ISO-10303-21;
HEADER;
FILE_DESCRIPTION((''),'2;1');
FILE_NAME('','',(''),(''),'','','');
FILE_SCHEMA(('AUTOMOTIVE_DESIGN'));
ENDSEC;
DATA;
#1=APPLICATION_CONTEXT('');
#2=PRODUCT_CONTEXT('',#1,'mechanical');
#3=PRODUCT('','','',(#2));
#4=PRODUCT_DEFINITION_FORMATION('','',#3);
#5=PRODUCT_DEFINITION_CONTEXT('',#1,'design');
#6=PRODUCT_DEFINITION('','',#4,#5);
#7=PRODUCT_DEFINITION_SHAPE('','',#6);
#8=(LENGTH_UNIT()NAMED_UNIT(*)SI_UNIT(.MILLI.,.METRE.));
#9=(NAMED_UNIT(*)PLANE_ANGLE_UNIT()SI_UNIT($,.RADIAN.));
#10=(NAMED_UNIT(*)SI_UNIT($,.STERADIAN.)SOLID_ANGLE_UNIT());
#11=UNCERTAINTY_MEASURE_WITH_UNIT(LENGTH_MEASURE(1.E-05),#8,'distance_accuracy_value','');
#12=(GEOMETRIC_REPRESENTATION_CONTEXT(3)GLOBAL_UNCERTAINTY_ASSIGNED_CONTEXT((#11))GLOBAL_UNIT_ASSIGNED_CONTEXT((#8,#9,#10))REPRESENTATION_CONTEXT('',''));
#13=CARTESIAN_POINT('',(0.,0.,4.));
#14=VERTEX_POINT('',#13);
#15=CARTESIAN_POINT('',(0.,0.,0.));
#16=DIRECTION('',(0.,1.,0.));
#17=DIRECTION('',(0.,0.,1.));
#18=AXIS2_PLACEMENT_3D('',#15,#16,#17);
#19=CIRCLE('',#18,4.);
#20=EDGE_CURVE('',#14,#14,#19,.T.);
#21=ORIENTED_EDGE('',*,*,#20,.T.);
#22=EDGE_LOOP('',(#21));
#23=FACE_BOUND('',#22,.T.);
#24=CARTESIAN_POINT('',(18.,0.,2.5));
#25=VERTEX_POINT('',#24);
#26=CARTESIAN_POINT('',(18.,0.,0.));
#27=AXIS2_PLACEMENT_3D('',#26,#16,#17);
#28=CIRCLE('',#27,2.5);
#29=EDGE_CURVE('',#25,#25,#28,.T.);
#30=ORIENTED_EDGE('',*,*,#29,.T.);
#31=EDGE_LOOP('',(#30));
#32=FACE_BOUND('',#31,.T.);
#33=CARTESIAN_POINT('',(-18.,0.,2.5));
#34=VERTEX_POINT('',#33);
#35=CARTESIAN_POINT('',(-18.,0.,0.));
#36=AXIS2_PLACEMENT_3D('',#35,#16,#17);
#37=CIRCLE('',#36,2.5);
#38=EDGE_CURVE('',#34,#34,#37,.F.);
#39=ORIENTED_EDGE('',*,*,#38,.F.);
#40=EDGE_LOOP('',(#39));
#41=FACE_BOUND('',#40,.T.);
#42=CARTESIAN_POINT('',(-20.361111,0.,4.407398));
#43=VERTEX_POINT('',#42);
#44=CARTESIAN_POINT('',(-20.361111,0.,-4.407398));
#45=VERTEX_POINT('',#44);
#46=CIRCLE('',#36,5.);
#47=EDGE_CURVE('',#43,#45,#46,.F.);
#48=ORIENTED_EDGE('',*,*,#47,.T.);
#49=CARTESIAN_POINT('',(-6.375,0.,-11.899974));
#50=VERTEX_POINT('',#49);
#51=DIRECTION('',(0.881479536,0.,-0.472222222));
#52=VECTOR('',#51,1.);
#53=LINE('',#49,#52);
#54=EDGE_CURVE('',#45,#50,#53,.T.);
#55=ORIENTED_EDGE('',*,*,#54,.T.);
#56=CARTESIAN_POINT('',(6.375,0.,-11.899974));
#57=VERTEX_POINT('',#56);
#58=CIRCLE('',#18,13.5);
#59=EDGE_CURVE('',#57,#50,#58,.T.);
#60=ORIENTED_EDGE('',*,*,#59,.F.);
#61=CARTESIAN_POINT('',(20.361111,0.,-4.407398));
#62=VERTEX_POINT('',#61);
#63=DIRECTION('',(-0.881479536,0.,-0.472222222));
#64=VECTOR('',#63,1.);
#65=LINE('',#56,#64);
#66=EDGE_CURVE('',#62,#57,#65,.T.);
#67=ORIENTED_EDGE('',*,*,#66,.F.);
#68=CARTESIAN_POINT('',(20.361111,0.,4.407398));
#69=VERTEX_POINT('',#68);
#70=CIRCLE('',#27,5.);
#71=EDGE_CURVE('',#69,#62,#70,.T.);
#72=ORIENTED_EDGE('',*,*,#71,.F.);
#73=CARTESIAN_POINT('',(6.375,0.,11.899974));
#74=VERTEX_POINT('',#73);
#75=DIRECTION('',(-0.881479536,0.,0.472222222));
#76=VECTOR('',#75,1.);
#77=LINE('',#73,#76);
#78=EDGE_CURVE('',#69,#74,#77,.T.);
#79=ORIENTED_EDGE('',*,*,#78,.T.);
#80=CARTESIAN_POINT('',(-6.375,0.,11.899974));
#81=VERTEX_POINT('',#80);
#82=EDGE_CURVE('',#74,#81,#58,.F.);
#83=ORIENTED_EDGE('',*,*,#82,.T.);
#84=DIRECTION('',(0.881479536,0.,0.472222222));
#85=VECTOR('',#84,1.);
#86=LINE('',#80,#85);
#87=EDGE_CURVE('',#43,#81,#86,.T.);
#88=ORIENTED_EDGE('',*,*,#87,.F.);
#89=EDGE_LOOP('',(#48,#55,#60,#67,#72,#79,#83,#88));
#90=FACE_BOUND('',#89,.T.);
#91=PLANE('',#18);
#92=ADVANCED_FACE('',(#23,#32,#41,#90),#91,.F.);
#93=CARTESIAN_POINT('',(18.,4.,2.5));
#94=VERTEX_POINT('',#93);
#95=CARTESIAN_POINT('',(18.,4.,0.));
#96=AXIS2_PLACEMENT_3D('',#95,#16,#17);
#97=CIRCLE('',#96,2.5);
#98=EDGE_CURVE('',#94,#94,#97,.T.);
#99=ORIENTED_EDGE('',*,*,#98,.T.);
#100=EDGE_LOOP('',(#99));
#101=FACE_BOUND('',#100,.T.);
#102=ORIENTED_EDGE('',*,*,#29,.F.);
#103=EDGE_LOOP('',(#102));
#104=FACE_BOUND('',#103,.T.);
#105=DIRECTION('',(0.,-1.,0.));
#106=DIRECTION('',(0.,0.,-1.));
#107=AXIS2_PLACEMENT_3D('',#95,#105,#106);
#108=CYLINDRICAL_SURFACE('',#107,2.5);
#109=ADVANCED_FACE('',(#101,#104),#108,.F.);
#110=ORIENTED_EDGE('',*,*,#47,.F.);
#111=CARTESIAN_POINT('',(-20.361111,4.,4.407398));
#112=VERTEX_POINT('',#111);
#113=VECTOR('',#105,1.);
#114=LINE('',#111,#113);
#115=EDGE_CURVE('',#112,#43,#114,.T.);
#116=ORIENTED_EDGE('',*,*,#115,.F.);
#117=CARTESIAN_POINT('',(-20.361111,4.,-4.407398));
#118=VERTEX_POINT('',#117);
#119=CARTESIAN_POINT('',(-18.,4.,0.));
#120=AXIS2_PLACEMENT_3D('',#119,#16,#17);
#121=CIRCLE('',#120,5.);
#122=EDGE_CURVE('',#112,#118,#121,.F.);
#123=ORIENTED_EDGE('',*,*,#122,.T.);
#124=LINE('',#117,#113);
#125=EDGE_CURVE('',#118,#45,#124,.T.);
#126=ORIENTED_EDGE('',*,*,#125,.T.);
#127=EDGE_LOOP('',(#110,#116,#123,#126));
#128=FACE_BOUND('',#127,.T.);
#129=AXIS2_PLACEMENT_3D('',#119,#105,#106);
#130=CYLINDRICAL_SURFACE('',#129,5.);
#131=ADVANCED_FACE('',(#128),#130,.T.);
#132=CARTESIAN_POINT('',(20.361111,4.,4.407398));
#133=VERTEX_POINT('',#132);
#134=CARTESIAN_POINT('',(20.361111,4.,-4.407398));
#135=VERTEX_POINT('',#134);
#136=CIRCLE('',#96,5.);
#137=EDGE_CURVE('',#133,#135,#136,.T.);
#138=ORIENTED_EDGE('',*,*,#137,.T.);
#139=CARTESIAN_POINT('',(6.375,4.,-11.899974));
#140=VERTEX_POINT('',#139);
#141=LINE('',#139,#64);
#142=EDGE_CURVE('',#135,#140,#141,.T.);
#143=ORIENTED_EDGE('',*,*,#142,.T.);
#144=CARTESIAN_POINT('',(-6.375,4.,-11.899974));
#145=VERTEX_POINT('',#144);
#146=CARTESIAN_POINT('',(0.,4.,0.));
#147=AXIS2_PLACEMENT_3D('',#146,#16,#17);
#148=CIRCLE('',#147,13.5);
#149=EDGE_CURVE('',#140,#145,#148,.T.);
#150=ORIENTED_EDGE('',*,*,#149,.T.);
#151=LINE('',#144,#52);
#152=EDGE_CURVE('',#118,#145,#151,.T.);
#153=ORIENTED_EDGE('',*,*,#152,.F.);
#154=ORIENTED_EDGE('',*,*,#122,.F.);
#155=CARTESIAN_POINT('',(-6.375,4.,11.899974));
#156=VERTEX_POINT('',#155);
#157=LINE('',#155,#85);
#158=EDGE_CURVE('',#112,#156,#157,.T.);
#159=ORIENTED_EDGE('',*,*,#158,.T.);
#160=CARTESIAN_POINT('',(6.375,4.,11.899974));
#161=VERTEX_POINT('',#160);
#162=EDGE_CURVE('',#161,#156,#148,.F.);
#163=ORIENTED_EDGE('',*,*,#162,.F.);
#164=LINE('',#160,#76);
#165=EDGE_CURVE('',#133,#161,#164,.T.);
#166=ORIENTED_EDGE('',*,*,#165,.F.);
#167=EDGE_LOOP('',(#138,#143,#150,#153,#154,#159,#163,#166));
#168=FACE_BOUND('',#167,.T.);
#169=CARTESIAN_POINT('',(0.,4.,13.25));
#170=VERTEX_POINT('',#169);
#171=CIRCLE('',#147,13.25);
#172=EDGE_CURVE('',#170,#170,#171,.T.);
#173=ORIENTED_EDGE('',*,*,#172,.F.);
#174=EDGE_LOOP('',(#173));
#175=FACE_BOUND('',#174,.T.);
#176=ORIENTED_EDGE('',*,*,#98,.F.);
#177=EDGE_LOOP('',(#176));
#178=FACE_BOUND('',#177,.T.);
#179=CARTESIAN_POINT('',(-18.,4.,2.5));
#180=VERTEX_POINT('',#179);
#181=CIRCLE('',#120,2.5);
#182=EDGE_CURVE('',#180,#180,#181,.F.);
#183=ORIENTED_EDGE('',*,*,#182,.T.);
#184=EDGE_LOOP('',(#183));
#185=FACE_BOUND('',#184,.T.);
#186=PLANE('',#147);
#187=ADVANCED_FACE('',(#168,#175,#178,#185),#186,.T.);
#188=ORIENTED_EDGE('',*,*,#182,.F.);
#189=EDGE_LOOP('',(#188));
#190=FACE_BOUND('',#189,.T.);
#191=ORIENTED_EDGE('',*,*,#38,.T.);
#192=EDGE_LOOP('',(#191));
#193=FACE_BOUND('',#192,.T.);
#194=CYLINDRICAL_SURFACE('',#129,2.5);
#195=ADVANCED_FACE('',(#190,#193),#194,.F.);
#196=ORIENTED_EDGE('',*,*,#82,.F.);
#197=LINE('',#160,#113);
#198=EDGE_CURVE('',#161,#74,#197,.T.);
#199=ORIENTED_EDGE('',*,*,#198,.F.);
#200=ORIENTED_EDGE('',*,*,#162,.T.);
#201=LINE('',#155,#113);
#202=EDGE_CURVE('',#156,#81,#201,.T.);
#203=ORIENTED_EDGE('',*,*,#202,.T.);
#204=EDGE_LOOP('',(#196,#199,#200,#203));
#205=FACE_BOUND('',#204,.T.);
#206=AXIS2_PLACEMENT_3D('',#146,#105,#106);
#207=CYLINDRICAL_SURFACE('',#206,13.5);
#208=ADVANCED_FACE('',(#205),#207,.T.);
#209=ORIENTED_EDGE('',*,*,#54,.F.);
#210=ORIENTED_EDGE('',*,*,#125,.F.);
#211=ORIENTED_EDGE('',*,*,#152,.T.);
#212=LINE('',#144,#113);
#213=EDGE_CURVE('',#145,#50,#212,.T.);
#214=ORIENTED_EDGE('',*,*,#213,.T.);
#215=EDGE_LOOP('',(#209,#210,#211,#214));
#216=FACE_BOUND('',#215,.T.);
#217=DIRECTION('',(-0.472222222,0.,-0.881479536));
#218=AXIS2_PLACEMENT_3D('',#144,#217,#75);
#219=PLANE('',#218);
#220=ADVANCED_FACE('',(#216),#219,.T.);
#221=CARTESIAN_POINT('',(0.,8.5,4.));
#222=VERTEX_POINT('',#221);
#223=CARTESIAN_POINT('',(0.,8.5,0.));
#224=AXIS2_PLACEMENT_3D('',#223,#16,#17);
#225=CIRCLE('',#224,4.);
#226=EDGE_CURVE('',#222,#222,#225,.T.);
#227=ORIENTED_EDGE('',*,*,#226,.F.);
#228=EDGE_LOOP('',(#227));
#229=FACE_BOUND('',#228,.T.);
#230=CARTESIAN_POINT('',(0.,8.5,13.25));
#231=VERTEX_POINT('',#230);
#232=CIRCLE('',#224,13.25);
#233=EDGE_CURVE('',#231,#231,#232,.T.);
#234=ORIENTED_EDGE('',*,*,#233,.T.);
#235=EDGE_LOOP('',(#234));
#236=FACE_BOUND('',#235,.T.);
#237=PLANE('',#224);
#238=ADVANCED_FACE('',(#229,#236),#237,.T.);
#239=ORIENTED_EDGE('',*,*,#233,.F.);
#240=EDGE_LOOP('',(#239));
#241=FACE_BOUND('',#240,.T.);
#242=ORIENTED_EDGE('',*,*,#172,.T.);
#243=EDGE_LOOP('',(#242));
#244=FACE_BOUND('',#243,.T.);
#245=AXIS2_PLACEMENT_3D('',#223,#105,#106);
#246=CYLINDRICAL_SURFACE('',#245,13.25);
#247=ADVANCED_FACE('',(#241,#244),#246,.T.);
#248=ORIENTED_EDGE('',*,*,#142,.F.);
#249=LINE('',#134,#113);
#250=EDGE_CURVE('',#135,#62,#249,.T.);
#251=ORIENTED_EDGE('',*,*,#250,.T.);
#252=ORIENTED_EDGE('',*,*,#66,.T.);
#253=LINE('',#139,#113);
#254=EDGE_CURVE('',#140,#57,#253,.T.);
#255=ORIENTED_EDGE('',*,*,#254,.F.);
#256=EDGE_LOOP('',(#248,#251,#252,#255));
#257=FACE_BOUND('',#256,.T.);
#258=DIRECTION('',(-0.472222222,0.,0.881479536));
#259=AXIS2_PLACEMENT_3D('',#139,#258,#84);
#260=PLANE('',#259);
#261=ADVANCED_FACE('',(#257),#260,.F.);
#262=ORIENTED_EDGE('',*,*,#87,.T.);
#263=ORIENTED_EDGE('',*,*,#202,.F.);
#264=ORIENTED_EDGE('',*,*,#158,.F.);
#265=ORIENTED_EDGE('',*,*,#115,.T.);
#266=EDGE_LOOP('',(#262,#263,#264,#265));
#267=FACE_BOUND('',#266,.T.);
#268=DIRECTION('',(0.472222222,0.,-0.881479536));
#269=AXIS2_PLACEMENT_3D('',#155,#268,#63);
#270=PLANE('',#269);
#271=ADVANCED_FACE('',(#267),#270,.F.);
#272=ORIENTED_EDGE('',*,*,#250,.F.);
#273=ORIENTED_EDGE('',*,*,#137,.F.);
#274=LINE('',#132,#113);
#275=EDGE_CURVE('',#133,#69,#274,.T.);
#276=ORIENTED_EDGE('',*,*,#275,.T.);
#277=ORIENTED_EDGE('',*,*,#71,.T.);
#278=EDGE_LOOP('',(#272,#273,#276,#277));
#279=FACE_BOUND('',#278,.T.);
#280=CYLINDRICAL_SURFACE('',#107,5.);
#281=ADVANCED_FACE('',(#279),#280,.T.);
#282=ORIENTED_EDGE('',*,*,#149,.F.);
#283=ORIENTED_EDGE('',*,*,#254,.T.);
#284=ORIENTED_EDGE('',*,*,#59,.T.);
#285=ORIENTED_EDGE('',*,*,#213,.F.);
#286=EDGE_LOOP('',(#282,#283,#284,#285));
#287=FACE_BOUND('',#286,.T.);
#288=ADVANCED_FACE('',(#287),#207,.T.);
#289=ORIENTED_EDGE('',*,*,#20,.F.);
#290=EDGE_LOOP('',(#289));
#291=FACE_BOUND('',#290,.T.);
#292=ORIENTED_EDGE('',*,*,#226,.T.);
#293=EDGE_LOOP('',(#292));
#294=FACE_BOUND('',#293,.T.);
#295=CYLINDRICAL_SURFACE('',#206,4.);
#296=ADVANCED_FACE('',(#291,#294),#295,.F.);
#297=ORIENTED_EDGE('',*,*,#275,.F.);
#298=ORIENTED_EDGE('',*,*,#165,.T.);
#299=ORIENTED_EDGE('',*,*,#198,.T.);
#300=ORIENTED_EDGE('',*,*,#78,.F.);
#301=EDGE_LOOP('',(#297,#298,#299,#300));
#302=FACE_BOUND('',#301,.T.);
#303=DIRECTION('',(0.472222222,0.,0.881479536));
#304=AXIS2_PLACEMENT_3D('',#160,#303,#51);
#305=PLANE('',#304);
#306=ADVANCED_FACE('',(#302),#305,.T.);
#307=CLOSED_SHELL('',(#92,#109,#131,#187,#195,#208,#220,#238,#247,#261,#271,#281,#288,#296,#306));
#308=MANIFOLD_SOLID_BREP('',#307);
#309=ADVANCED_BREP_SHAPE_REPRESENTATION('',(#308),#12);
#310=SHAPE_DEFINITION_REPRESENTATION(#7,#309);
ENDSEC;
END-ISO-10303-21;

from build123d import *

# Parameters (mm, degrees)
SKETCH_1_R      = 4
SKETCH_1_R_2    = 2.5
EXTRUDE_1_DEPTH = 4
SKETCH_2_R      = 13.25
SKETCH_2_R_2    = 4
EXTRUDE_2_DEPTH = 4.5


with BuildPart() as part:
    # 草图1 → 凸台-拉伸1 (new body)
    with BuildSketch(Plane(origin=(0, 0, 0), x_dir=(1, 0, 0), z_dir=(0, 1, 0))):
        with BuildLine():
            Line((20.361111111, -4.407397681), (6.375, -11.899973739))
            ThreePointArc((6.375, -11.899973739), (0, -13.5), (-6.375, -11.899973739))
            Line((-6.375, -11.899973739), (-20.361111111, -4.407397681))
            ThreePointArc((-20.361111111, -4.407397681), (-23, 0), (-20.361111111, 4.407397681))
            Line((-20.361111111, 4.407397681), (-6.375, 11.899973739))
            ThreePointArc((-6.375, 11.899973739), (0, 13.5), (6.375, 11.899973739))
            Line((6.375, 11.899973739), (20.361111111, 4.407397681))
            ThreePointArc((20.361111111, 4.407397681), (23, 0), (20.361111111, -4.407397681))
        make_face()
        with Locations(Location((0, 0, 0), (0, 0, 270))):
            Circle(SKETCH_1_R, mode=Mode.SUBTRACT)
        with Locations(Location((18, 0, 0), (0, 0, 270))):
            Circle(SKETCH_1_R_2, mode=Mode.SUBTRACT)
        with Locations(Location((-18, 0, 0), (0, 0, 270))):
            Circle(SKETCH_1_R_2, mode=Mode.SUBTRACT)
    extrude(amount=EXTRUDE_1_DEPTH)

    # 草图2 → 凸台-拉伸2 (add)
    with BuildSketch(Plane(origin=(0, 4, 0), x_dir=(1, 0, 0), z_dir=(0, 1, 0))):
        with Locations(Location((0, 0, 0), (0, 0, 270))):
            Circle(SKETCH_2_R)
        with Locations(Location((0, 0, 0), (0, 0, 270))):
            Circle(SKETCH_2_R_2, mode=Mode.SUBTRACT)
    extrude(amount=EXTRUDE_2_DEPTH)


solid = part.part
